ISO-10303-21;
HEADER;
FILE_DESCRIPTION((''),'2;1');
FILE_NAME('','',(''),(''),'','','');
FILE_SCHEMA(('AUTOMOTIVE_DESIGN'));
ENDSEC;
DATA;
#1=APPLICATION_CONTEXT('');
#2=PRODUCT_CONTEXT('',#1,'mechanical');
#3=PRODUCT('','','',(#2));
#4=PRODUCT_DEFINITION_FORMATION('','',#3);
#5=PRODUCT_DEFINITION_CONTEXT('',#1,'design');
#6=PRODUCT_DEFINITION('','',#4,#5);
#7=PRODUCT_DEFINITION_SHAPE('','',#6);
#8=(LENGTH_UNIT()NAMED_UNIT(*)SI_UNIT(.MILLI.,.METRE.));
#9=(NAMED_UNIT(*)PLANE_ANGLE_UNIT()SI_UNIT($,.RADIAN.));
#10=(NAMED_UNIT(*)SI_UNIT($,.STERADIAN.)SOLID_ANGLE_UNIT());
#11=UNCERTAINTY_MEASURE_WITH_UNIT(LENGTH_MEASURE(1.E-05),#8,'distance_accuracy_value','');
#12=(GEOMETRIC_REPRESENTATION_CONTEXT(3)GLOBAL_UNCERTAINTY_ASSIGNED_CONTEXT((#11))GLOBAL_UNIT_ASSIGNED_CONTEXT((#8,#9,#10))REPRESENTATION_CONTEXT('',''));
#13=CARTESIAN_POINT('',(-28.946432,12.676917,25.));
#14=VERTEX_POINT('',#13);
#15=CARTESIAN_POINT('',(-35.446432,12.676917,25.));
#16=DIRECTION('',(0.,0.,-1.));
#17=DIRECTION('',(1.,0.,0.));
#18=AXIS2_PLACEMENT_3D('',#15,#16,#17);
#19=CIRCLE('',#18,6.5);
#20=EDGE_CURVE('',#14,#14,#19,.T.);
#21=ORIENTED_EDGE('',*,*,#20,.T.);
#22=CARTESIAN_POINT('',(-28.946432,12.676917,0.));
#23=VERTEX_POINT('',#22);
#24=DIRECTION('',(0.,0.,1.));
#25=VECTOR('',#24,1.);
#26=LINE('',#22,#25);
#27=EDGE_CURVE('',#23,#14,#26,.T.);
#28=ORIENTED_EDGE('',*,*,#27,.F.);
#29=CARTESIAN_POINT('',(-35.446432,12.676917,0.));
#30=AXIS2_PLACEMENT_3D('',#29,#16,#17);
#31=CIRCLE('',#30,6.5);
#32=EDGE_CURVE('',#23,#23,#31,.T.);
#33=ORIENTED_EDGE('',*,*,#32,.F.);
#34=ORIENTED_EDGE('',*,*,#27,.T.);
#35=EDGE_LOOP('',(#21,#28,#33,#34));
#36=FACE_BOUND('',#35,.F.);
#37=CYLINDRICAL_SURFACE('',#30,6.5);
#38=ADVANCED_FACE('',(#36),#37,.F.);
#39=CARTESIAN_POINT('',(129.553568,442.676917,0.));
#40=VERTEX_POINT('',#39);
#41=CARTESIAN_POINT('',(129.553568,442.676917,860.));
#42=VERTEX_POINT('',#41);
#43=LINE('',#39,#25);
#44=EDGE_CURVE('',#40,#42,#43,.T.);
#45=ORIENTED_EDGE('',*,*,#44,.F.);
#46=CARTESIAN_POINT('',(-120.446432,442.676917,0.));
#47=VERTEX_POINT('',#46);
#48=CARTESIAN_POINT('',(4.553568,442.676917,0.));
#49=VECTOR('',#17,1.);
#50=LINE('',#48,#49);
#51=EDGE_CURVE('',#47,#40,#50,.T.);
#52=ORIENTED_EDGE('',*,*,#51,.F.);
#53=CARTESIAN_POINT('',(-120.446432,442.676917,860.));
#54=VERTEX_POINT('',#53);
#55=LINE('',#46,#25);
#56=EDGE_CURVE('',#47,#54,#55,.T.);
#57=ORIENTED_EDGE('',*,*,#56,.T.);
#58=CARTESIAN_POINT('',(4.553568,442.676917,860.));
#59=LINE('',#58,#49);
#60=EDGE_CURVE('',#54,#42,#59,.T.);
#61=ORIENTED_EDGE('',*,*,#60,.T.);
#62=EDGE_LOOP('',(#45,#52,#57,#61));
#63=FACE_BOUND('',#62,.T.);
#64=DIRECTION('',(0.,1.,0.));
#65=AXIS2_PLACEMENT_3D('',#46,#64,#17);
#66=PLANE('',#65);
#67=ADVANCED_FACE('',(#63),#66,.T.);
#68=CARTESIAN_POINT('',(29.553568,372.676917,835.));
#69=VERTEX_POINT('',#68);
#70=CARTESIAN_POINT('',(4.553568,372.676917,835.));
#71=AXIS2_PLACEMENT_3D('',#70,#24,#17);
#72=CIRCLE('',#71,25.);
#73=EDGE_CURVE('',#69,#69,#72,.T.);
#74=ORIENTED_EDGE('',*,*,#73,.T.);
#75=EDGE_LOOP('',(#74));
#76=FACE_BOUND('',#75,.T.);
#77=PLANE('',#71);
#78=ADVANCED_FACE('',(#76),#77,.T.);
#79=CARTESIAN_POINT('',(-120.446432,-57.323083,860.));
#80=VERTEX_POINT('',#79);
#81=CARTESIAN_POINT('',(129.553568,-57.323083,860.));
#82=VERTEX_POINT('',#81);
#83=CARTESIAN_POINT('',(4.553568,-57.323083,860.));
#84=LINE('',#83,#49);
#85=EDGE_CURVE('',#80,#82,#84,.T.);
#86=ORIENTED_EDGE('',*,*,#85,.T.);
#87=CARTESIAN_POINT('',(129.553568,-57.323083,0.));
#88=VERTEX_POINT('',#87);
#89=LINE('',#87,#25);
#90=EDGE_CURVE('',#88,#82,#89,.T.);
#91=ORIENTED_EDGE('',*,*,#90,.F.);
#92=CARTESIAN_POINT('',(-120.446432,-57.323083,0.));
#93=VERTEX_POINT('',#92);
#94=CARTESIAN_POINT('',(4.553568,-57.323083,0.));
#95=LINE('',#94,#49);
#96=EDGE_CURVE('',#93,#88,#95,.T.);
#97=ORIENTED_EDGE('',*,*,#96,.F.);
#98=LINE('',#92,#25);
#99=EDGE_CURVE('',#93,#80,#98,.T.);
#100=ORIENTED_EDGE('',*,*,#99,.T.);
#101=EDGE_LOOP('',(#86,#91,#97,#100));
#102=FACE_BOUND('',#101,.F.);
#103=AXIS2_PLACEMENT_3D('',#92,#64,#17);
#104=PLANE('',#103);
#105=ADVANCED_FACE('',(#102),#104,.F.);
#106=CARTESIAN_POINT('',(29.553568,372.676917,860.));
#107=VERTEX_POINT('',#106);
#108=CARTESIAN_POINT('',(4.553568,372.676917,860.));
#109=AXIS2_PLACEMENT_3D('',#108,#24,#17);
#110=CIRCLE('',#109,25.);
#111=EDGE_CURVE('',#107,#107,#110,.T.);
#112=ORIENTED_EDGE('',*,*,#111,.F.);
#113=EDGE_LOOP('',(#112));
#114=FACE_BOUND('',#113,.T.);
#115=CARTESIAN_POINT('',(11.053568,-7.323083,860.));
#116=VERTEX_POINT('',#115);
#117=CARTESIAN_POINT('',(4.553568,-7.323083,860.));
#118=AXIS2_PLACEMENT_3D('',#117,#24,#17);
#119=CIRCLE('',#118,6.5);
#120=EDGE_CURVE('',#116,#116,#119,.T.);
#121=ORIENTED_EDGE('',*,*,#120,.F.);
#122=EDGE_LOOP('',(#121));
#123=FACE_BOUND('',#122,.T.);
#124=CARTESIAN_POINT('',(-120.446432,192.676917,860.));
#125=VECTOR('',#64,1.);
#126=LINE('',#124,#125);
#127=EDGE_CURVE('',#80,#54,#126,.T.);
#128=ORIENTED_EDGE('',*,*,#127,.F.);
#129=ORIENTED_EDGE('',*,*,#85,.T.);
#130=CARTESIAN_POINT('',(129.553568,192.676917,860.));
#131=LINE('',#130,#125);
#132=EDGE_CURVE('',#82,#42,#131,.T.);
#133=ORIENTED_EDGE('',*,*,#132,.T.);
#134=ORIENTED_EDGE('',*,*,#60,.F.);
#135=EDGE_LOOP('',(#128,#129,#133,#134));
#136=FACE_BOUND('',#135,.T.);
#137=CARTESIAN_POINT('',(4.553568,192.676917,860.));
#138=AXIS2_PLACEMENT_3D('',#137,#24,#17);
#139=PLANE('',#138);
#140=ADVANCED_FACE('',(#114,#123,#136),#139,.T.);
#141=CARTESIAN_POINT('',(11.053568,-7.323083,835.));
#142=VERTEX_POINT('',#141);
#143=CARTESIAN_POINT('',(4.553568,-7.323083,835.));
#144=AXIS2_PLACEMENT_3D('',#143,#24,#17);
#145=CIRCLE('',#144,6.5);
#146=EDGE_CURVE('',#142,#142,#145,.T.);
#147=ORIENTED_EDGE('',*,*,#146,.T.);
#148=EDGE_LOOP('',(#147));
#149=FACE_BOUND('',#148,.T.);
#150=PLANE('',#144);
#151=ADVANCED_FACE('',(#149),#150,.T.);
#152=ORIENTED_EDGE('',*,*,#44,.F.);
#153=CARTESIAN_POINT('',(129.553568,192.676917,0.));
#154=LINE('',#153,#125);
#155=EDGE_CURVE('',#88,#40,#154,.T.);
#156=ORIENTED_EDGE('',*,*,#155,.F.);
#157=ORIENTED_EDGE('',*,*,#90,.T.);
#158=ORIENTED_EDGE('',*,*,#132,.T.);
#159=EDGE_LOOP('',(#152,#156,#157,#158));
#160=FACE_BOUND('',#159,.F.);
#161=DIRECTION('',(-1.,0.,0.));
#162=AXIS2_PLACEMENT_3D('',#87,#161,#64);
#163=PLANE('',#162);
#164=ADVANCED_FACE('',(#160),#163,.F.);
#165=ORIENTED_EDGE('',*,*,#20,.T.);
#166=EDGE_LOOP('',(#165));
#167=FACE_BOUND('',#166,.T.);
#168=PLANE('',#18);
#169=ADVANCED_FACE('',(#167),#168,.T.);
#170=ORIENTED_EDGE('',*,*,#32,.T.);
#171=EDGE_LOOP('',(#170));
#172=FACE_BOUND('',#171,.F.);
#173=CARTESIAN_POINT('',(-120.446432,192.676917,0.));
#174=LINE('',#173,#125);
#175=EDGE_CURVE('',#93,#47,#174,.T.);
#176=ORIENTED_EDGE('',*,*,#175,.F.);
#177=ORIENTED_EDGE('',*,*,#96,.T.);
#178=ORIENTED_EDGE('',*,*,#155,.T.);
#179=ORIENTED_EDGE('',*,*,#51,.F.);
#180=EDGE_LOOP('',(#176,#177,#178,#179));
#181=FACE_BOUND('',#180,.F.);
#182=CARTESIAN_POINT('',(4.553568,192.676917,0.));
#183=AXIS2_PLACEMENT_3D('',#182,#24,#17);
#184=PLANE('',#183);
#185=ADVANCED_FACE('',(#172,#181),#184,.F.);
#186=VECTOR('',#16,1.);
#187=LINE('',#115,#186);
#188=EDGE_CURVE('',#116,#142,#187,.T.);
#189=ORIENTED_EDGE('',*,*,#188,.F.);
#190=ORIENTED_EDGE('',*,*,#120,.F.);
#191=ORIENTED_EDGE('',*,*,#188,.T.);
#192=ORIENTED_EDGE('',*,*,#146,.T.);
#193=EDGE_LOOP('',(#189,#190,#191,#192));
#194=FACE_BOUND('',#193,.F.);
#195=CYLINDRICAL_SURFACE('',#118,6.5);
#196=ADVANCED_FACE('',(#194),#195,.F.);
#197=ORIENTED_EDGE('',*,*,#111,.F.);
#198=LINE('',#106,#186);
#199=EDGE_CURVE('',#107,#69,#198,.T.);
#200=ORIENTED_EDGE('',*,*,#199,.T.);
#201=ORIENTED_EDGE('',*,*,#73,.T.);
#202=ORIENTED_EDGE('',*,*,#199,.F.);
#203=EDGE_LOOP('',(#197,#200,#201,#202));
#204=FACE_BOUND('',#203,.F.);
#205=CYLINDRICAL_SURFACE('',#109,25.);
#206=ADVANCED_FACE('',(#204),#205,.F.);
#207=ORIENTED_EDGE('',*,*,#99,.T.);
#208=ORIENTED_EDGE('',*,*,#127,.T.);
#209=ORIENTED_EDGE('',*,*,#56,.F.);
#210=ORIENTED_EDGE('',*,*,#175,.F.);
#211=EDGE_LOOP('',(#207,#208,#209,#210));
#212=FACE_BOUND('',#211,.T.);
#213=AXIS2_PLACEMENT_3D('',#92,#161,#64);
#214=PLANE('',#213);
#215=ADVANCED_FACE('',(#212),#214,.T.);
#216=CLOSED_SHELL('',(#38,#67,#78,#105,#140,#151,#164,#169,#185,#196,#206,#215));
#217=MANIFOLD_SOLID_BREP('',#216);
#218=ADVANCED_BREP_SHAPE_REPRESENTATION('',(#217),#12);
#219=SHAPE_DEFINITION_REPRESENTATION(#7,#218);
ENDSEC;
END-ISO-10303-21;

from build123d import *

# Parameters (mm, degrees)
F0_W     = 250
F0_H     = 500
F1_DEPTH = 860
F2_R     = 25
F2_R_2   = 6.5
F3_DEPTH = 25
F4_R     = 6.5
F5_DEPTH = 25


with BuildPart() as f1:
    # F0 (on Top) → F1 (new body)
    with BuildSketch(Plane.XY):
        with Locations((4.553568, 192.676917)):
            Rectangle(F0_W, F0_H)
    extrude(amount=F1_DEPTH)

    # F2 (on face) → F3 (cut)
    with BuildSketch(Plane.XY.offset(860)):
        with Locations((4.553568, 372.676917)):
            Circle(F2_R)
        with Locations((4.553568, -7.323083)):
            Circle(F2_R_2)
    extrude(amount=-F3_DEPTH, mode=Mode.SUBTRACT)

    # F4 (on face) → F5 (cut)
    with BuildSketch(Plane(origin=(0, 0, 0), x_dir=(1, 0, 0), z_dir=(0, 0, -1))):
        with Locations((-35.446432, -12.676917)):
            Circle(F4_R)
    extrude(amount=-F5_DEPTH, mode=Mode.SUBTRACT)


solid = f1.part
